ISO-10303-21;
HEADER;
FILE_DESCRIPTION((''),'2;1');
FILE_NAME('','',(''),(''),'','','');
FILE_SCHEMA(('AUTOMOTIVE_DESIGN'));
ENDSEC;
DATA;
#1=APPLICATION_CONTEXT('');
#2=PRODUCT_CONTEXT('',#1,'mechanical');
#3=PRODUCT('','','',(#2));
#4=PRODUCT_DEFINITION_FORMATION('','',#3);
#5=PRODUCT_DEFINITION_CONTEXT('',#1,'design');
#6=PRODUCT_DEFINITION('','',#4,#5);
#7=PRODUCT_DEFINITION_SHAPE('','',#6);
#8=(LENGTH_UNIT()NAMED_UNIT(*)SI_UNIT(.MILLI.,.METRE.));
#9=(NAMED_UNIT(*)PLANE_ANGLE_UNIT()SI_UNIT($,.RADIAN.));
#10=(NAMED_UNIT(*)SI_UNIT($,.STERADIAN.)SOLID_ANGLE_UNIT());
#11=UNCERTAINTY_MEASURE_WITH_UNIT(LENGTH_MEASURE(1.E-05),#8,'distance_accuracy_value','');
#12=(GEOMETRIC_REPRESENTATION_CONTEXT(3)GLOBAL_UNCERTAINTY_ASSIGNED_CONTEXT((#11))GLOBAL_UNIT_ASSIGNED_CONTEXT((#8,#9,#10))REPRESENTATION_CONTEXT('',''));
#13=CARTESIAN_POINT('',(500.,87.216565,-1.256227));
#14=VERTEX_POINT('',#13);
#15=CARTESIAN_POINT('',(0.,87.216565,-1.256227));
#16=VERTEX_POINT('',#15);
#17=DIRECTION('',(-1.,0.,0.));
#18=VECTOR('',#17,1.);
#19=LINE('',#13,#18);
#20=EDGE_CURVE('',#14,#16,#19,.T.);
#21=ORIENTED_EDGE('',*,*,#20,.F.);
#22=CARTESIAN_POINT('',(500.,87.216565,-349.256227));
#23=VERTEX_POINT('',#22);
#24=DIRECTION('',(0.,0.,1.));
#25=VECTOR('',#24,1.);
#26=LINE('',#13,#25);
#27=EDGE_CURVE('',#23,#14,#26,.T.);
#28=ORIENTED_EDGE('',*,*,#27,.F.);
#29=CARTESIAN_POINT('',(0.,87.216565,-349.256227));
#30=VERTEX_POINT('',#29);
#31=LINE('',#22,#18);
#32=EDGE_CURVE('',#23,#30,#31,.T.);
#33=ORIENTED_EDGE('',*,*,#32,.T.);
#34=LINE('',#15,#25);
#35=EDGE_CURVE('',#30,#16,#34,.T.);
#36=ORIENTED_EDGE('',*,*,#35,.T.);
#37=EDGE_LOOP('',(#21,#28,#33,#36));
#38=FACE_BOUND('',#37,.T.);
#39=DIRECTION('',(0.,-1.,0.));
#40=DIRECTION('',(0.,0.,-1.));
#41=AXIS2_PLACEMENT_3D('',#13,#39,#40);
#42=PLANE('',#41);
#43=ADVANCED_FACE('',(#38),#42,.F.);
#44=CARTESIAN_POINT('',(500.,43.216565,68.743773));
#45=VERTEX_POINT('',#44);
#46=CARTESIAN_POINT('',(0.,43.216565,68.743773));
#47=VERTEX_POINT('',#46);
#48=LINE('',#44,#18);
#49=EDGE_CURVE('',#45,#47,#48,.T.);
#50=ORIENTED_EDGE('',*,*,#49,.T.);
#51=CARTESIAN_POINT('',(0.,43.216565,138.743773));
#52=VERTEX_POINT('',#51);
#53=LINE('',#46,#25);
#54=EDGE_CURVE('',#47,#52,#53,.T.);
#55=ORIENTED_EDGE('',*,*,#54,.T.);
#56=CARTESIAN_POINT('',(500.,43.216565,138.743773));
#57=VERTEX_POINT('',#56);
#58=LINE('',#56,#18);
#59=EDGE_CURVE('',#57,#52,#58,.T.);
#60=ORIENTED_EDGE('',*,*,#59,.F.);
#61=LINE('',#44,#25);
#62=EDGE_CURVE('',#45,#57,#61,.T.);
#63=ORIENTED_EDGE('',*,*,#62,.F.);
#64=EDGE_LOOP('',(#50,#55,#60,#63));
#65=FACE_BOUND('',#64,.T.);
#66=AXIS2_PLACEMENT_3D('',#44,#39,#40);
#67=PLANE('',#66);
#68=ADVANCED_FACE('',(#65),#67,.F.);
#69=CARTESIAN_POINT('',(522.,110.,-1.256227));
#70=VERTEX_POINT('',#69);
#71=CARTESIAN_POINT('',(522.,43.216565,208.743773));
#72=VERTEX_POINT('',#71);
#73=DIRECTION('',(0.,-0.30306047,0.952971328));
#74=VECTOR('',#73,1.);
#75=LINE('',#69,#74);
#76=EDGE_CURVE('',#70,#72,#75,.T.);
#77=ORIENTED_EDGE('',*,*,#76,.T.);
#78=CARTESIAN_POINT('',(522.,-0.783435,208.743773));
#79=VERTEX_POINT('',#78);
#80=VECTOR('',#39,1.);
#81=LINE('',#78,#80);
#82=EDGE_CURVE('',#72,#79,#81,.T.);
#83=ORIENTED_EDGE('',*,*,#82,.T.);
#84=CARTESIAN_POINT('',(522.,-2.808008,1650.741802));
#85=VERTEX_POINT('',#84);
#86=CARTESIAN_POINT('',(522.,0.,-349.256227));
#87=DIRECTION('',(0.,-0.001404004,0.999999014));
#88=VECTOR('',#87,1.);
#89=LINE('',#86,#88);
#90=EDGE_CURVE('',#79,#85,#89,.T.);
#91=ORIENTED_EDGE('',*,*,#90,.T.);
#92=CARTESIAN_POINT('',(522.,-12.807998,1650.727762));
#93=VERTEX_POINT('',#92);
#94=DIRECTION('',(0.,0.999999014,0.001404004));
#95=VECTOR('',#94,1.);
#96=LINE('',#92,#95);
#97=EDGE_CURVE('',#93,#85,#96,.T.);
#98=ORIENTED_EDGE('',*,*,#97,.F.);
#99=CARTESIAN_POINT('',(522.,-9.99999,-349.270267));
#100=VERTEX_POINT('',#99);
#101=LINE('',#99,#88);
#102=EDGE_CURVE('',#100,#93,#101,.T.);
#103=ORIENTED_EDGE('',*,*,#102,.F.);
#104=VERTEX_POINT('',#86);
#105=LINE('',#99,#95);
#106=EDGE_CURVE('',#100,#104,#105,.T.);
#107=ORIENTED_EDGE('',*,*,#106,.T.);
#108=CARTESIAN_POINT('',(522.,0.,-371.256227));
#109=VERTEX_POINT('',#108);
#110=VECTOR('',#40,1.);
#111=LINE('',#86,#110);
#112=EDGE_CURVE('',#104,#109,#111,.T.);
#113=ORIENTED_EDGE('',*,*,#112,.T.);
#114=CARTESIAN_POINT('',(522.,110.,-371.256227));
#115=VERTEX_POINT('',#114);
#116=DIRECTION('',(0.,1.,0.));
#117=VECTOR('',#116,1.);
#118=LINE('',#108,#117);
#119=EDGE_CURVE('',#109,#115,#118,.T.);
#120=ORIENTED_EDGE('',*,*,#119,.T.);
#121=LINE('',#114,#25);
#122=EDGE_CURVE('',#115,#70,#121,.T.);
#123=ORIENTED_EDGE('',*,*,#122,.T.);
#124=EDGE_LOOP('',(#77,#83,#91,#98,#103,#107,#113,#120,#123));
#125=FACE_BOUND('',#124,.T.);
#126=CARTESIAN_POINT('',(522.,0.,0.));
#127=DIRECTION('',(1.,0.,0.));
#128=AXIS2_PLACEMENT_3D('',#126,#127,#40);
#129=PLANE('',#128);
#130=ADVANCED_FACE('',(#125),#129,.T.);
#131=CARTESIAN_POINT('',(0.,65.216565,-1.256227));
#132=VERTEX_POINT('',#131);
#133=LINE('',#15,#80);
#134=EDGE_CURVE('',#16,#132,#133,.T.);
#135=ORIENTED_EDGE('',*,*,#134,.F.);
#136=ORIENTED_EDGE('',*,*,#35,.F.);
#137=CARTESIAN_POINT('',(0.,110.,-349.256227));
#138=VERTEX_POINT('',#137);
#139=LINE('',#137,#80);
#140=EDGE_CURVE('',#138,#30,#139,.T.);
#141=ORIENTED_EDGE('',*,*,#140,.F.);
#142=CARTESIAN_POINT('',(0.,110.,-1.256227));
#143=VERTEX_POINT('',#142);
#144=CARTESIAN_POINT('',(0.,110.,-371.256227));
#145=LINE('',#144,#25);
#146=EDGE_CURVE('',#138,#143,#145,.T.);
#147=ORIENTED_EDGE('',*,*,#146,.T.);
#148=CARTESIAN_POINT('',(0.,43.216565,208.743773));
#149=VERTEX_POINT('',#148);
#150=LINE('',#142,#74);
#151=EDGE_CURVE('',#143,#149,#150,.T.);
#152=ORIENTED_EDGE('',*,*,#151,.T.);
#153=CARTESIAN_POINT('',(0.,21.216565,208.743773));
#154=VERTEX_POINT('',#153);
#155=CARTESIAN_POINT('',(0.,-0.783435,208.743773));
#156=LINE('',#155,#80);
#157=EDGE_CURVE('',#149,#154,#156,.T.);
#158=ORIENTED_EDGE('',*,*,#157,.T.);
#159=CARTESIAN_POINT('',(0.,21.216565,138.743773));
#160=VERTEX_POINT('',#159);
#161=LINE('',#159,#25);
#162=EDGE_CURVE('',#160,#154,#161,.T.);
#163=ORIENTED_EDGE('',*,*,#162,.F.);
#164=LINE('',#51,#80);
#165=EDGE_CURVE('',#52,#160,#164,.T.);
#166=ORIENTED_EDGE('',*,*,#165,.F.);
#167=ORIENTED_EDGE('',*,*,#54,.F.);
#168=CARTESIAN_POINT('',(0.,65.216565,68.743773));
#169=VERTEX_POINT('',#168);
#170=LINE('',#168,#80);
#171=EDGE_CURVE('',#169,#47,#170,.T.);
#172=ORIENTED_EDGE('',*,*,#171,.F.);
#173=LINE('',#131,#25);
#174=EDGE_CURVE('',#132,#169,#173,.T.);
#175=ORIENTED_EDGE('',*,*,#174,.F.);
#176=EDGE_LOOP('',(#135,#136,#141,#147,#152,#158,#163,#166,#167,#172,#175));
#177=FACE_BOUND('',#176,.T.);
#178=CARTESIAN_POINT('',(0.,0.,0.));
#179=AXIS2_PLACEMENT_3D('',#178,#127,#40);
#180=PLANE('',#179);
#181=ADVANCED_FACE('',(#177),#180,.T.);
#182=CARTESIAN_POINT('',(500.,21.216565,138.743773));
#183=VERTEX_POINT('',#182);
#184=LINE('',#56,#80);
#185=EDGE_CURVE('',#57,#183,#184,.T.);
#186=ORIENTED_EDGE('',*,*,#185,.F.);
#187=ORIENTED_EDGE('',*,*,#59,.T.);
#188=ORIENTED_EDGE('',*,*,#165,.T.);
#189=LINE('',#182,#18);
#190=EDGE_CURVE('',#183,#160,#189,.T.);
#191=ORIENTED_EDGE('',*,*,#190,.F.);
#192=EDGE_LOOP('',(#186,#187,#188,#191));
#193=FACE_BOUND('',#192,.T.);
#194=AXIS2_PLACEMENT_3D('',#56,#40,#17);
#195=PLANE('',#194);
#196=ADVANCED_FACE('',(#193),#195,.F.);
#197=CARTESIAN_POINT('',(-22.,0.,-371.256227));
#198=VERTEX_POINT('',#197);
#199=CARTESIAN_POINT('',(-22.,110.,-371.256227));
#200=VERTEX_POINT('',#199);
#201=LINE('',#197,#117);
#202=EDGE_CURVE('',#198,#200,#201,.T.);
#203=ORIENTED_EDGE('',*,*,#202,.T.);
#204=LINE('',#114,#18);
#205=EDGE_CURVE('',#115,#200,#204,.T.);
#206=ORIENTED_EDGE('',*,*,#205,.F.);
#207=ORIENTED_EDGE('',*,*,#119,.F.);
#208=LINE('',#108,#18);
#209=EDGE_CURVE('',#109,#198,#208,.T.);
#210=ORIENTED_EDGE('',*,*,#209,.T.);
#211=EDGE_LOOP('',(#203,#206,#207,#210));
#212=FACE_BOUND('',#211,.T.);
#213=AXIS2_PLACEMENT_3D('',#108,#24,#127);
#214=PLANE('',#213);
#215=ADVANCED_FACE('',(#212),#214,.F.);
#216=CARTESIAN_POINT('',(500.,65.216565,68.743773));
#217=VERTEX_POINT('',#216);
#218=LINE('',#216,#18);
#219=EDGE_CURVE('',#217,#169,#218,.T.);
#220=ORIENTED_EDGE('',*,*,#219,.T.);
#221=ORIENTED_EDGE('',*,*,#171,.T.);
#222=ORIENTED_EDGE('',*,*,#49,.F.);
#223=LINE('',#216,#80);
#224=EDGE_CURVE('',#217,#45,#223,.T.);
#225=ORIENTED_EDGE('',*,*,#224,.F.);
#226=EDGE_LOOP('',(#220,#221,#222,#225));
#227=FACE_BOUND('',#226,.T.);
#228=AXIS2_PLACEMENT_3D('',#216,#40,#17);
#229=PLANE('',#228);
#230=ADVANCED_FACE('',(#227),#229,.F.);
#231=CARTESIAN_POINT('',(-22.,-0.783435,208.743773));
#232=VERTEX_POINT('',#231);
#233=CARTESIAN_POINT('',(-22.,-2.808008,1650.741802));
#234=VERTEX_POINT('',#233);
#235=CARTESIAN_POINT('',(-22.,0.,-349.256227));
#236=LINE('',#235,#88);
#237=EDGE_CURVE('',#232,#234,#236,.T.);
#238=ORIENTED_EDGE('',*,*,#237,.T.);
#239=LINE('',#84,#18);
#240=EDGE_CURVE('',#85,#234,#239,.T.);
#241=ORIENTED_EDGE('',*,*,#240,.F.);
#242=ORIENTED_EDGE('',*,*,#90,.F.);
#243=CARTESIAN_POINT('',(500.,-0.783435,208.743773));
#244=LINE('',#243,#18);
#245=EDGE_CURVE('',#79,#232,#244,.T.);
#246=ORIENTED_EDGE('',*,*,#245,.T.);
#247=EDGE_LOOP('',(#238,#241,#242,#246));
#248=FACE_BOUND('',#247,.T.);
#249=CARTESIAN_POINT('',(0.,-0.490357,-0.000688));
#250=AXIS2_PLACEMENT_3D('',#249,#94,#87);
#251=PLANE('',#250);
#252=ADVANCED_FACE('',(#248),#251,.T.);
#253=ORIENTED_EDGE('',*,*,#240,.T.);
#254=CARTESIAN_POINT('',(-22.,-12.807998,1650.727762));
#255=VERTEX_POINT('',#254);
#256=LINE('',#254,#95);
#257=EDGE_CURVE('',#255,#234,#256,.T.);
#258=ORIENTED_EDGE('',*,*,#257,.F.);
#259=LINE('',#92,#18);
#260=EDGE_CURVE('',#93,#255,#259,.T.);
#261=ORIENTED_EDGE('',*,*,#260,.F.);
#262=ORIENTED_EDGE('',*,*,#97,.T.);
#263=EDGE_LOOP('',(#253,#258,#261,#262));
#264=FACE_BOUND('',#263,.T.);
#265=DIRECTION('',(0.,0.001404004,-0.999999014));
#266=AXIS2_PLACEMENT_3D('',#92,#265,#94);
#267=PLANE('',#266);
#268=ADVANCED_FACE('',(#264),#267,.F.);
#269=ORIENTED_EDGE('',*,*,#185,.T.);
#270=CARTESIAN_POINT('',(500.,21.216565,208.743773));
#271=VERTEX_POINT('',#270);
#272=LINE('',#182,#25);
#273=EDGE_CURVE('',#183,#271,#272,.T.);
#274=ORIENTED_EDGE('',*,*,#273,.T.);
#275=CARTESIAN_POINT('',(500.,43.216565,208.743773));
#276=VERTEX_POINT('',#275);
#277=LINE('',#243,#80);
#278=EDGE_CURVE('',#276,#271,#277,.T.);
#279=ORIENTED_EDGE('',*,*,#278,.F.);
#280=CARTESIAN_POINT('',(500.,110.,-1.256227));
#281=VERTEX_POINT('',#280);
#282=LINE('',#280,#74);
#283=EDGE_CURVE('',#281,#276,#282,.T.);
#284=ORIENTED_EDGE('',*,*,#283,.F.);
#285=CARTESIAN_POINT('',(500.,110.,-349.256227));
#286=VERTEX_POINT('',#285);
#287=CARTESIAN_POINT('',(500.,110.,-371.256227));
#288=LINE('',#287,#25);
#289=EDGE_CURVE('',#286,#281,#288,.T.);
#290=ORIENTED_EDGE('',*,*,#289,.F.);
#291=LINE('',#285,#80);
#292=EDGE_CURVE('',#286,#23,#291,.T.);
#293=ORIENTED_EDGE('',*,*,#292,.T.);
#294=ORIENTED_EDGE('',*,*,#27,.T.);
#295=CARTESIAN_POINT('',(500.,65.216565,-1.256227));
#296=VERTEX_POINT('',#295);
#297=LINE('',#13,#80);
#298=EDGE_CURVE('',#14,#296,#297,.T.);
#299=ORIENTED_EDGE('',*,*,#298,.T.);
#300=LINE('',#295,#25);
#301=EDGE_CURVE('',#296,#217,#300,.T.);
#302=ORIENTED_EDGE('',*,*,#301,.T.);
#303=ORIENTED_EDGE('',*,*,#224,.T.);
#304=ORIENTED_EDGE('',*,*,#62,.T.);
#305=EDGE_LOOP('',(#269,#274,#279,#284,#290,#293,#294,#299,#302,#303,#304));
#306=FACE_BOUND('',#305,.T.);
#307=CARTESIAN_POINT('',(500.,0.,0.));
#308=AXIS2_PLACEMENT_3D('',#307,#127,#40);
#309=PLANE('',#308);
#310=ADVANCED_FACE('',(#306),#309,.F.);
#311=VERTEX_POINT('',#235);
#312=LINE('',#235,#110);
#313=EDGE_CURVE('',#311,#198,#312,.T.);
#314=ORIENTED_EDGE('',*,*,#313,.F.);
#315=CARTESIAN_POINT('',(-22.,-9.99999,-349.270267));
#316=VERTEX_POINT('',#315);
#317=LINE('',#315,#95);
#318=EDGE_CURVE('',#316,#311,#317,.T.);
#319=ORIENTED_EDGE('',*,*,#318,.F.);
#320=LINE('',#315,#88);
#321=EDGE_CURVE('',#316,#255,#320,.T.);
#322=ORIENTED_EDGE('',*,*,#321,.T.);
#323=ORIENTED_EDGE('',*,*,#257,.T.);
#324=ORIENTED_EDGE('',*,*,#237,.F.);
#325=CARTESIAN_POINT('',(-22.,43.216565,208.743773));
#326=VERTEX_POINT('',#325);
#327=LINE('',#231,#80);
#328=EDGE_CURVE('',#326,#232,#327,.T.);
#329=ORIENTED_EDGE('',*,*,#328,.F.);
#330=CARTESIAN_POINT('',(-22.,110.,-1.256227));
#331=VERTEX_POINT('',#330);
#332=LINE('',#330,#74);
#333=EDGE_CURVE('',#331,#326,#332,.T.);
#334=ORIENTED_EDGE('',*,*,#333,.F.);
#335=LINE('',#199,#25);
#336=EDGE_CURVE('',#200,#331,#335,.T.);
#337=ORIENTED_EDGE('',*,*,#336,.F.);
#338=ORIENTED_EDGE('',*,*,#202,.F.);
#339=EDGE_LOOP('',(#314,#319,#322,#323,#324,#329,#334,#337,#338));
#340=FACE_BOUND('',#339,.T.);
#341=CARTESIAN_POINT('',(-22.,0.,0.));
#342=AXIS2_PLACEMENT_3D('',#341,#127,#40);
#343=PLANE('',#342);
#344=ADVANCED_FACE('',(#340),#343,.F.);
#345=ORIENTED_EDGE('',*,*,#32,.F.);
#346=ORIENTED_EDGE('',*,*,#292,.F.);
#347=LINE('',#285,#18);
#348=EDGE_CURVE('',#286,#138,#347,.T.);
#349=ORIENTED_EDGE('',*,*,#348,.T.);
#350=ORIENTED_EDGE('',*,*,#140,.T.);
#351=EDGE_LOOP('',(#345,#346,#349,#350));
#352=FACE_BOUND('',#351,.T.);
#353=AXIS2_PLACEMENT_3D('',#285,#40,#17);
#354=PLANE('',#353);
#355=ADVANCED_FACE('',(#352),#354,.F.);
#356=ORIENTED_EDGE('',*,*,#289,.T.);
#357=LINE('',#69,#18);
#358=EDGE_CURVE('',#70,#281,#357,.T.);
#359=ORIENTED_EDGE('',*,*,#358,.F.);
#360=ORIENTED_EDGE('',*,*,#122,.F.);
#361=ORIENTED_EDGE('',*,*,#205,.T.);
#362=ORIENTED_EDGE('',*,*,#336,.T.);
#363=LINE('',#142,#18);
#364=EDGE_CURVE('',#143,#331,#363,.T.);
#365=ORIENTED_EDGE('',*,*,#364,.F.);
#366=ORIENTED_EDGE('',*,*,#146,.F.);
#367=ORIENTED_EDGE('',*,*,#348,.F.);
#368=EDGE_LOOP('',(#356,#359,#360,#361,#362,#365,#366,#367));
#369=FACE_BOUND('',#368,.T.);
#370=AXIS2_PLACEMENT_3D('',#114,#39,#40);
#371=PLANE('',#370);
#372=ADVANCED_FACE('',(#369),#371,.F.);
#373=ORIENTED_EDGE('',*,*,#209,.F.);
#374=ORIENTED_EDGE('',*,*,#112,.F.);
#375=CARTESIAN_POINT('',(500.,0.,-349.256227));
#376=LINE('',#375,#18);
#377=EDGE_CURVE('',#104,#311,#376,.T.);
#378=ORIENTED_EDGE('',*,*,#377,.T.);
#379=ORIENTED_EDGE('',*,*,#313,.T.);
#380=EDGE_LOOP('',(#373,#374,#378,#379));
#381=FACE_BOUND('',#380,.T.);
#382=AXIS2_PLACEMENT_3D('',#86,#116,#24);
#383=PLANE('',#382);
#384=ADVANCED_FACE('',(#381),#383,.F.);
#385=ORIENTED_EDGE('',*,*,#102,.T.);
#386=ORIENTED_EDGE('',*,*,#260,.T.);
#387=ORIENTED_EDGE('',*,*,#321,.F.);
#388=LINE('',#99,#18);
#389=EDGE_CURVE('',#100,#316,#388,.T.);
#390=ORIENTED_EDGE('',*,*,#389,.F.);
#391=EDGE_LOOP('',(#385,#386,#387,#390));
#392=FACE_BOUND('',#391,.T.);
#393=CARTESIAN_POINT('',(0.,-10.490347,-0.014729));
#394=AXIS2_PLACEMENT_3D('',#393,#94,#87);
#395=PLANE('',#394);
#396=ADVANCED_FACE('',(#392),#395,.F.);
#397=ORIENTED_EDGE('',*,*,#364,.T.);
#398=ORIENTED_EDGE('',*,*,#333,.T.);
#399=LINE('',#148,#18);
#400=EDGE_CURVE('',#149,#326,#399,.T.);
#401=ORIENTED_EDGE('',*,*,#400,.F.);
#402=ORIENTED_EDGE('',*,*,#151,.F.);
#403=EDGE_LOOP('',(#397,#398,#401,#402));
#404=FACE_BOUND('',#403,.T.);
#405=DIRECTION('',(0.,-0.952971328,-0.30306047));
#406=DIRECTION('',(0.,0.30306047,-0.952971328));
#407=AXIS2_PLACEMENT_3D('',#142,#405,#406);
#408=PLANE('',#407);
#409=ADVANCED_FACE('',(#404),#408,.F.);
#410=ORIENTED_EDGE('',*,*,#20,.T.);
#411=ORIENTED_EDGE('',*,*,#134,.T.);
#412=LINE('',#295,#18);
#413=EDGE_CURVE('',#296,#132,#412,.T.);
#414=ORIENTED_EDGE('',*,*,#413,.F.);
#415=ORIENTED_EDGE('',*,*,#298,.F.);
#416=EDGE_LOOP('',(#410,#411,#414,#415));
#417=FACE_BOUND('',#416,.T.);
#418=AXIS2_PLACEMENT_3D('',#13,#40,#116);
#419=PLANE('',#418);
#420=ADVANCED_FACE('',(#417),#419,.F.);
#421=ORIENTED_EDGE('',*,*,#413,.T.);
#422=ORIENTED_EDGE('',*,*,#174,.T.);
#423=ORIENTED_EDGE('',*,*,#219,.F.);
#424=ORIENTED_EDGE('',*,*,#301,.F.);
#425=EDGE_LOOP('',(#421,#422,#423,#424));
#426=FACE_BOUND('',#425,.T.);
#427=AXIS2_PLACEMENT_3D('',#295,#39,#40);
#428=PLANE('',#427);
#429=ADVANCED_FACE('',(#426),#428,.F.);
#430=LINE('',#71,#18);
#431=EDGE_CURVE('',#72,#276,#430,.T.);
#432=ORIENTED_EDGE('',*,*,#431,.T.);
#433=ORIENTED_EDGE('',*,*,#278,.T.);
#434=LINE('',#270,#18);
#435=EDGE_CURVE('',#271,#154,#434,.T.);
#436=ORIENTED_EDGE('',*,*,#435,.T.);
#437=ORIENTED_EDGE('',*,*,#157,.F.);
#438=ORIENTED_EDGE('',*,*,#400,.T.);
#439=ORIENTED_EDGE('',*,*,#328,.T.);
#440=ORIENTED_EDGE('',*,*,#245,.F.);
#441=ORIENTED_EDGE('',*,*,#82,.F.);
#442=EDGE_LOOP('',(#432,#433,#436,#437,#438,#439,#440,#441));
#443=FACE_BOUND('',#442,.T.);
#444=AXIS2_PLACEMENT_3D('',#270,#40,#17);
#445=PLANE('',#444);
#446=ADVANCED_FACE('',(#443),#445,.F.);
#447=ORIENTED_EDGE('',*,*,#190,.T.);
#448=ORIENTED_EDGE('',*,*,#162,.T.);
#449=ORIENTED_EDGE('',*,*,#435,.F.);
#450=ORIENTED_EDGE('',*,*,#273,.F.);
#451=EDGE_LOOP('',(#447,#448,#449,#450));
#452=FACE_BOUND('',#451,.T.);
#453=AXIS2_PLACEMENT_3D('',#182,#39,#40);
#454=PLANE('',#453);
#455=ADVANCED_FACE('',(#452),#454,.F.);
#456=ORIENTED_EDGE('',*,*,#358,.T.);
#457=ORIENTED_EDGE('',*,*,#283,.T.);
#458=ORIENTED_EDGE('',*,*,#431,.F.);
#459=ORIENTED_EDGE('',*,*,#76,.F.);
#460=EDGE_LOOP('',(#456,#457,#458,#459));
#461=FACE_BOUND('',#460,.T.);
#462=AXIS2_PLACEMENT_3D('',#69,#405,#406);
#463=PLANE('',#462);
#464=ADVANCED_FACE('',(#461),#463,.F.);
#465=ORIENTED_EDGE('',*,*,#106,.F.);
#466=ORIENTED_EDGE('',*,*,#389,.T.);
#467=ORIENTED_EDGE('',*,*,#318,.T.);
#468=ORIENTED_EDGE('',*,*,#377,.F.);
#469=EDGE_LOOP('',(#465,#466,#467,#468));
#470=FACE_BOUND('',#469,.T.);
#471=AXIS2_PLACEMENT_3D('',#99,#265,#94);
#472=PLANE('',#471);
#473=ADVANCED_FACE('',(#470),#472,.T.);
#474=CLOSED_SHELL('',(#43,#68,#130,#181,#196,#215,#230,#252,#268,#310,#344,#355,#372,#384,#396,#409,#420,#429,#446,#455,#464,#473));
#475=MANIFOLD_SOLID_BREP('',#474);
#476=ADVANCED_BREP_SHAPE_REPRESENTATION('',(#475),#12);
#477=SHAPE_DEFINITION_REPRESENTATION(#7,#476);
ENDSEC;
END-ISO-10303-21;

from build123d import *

# Parameters (mm, degrees)
BOSS_EXTRUDE1_DEPTH = 500
BOSS_EXTRUDE2_DEPTH = 22
LPATTERN1_COUNT     = 2
LPATTERN1_PITCH     = 522
SKETCH3_W           = 22
SKETCH3_H           = 110
BOSS_EXTRUDE3_DEPTH = 500
SKETCH4_W           = 544
SKETCH4_H           = 2000
BOSS_EXTRUDE4_DEPTH = 10


with BuildPart() as part:
    # Sketch1 → Boss-Extrude1 (new body)
    with BuildSketch(Plane(origin=(0, 0, 0), x_dir=(0, 0, -1), z_dir=(1, 0, 0))):
        Polygon((1.256226638, 87.216565021), (349.256226638, 87.216565021), (349.256226638, 0), (-208.743773362, -0.783434979), (-208.743773362, 21.216565021), (-138.743773362, 21.216565021), (-138.743773362, 43.216565021), (-68.743773362, 43.216565021), (-68.743773362, 65.216565021), (1.256226638, 65.216565021), align=None)
    extrude(amount=BOSS_EXTRUDE1_DEPTH)

    # Sketch2 → Boss-Extrude2 (add)
    with BuildSketch(Plane(origin=(500, 0, 0), x_dir=(0, 0, -1), z_dir=(1, 0, 0))):
        Polygon((-208.743773362, -0.783434979), (-208.743773362, 43.216565021), (1.256226638, 110), (371.256226638, 110), (371.256226638, 0), (349.256226638, 0), align=None)
    boss_extrude2 = extrude(amount=BOSS_EXTRUDE2_DEPTH)

    # LPattern1: Boss-Extrude2 ×2
    with Locations(*[(-i * LPATTERN1_PITCH, 0, 0) for i in range(1, LPATTERN1_COUNT)]):
        add(boss_extrude2)

    # Sketch3 → Boss-Extrude3 (add)
    with BuildSketch(Plane(origin=(0, 0, 0), x_dir=(0, 0, -1), z_dir=(1, 0, 0))):
        with Locations((360.256226638, 55)):
            Rectangle(SKETCH3_W, SKETCH3_H)
    extrude(amount=BOSS_EXTRUDE3_DEPTH)

    # Sketch4 → Boss-Extrude4 (add)
    with BuildSketch(Plane(origin=(0, -0.49035664, -0.000688463), x_dir=(1, 0, 0), z_dir=(0, -0.9999990143859607, -0.0014040039555169115))):
        with Locations((250, 650.744117594)):
            Rectangle(SKETCH4_W, SKETCH4_H)
    extrude(amount=BOSS_EXTRUDE4_DEPTH)


solid = part.part
